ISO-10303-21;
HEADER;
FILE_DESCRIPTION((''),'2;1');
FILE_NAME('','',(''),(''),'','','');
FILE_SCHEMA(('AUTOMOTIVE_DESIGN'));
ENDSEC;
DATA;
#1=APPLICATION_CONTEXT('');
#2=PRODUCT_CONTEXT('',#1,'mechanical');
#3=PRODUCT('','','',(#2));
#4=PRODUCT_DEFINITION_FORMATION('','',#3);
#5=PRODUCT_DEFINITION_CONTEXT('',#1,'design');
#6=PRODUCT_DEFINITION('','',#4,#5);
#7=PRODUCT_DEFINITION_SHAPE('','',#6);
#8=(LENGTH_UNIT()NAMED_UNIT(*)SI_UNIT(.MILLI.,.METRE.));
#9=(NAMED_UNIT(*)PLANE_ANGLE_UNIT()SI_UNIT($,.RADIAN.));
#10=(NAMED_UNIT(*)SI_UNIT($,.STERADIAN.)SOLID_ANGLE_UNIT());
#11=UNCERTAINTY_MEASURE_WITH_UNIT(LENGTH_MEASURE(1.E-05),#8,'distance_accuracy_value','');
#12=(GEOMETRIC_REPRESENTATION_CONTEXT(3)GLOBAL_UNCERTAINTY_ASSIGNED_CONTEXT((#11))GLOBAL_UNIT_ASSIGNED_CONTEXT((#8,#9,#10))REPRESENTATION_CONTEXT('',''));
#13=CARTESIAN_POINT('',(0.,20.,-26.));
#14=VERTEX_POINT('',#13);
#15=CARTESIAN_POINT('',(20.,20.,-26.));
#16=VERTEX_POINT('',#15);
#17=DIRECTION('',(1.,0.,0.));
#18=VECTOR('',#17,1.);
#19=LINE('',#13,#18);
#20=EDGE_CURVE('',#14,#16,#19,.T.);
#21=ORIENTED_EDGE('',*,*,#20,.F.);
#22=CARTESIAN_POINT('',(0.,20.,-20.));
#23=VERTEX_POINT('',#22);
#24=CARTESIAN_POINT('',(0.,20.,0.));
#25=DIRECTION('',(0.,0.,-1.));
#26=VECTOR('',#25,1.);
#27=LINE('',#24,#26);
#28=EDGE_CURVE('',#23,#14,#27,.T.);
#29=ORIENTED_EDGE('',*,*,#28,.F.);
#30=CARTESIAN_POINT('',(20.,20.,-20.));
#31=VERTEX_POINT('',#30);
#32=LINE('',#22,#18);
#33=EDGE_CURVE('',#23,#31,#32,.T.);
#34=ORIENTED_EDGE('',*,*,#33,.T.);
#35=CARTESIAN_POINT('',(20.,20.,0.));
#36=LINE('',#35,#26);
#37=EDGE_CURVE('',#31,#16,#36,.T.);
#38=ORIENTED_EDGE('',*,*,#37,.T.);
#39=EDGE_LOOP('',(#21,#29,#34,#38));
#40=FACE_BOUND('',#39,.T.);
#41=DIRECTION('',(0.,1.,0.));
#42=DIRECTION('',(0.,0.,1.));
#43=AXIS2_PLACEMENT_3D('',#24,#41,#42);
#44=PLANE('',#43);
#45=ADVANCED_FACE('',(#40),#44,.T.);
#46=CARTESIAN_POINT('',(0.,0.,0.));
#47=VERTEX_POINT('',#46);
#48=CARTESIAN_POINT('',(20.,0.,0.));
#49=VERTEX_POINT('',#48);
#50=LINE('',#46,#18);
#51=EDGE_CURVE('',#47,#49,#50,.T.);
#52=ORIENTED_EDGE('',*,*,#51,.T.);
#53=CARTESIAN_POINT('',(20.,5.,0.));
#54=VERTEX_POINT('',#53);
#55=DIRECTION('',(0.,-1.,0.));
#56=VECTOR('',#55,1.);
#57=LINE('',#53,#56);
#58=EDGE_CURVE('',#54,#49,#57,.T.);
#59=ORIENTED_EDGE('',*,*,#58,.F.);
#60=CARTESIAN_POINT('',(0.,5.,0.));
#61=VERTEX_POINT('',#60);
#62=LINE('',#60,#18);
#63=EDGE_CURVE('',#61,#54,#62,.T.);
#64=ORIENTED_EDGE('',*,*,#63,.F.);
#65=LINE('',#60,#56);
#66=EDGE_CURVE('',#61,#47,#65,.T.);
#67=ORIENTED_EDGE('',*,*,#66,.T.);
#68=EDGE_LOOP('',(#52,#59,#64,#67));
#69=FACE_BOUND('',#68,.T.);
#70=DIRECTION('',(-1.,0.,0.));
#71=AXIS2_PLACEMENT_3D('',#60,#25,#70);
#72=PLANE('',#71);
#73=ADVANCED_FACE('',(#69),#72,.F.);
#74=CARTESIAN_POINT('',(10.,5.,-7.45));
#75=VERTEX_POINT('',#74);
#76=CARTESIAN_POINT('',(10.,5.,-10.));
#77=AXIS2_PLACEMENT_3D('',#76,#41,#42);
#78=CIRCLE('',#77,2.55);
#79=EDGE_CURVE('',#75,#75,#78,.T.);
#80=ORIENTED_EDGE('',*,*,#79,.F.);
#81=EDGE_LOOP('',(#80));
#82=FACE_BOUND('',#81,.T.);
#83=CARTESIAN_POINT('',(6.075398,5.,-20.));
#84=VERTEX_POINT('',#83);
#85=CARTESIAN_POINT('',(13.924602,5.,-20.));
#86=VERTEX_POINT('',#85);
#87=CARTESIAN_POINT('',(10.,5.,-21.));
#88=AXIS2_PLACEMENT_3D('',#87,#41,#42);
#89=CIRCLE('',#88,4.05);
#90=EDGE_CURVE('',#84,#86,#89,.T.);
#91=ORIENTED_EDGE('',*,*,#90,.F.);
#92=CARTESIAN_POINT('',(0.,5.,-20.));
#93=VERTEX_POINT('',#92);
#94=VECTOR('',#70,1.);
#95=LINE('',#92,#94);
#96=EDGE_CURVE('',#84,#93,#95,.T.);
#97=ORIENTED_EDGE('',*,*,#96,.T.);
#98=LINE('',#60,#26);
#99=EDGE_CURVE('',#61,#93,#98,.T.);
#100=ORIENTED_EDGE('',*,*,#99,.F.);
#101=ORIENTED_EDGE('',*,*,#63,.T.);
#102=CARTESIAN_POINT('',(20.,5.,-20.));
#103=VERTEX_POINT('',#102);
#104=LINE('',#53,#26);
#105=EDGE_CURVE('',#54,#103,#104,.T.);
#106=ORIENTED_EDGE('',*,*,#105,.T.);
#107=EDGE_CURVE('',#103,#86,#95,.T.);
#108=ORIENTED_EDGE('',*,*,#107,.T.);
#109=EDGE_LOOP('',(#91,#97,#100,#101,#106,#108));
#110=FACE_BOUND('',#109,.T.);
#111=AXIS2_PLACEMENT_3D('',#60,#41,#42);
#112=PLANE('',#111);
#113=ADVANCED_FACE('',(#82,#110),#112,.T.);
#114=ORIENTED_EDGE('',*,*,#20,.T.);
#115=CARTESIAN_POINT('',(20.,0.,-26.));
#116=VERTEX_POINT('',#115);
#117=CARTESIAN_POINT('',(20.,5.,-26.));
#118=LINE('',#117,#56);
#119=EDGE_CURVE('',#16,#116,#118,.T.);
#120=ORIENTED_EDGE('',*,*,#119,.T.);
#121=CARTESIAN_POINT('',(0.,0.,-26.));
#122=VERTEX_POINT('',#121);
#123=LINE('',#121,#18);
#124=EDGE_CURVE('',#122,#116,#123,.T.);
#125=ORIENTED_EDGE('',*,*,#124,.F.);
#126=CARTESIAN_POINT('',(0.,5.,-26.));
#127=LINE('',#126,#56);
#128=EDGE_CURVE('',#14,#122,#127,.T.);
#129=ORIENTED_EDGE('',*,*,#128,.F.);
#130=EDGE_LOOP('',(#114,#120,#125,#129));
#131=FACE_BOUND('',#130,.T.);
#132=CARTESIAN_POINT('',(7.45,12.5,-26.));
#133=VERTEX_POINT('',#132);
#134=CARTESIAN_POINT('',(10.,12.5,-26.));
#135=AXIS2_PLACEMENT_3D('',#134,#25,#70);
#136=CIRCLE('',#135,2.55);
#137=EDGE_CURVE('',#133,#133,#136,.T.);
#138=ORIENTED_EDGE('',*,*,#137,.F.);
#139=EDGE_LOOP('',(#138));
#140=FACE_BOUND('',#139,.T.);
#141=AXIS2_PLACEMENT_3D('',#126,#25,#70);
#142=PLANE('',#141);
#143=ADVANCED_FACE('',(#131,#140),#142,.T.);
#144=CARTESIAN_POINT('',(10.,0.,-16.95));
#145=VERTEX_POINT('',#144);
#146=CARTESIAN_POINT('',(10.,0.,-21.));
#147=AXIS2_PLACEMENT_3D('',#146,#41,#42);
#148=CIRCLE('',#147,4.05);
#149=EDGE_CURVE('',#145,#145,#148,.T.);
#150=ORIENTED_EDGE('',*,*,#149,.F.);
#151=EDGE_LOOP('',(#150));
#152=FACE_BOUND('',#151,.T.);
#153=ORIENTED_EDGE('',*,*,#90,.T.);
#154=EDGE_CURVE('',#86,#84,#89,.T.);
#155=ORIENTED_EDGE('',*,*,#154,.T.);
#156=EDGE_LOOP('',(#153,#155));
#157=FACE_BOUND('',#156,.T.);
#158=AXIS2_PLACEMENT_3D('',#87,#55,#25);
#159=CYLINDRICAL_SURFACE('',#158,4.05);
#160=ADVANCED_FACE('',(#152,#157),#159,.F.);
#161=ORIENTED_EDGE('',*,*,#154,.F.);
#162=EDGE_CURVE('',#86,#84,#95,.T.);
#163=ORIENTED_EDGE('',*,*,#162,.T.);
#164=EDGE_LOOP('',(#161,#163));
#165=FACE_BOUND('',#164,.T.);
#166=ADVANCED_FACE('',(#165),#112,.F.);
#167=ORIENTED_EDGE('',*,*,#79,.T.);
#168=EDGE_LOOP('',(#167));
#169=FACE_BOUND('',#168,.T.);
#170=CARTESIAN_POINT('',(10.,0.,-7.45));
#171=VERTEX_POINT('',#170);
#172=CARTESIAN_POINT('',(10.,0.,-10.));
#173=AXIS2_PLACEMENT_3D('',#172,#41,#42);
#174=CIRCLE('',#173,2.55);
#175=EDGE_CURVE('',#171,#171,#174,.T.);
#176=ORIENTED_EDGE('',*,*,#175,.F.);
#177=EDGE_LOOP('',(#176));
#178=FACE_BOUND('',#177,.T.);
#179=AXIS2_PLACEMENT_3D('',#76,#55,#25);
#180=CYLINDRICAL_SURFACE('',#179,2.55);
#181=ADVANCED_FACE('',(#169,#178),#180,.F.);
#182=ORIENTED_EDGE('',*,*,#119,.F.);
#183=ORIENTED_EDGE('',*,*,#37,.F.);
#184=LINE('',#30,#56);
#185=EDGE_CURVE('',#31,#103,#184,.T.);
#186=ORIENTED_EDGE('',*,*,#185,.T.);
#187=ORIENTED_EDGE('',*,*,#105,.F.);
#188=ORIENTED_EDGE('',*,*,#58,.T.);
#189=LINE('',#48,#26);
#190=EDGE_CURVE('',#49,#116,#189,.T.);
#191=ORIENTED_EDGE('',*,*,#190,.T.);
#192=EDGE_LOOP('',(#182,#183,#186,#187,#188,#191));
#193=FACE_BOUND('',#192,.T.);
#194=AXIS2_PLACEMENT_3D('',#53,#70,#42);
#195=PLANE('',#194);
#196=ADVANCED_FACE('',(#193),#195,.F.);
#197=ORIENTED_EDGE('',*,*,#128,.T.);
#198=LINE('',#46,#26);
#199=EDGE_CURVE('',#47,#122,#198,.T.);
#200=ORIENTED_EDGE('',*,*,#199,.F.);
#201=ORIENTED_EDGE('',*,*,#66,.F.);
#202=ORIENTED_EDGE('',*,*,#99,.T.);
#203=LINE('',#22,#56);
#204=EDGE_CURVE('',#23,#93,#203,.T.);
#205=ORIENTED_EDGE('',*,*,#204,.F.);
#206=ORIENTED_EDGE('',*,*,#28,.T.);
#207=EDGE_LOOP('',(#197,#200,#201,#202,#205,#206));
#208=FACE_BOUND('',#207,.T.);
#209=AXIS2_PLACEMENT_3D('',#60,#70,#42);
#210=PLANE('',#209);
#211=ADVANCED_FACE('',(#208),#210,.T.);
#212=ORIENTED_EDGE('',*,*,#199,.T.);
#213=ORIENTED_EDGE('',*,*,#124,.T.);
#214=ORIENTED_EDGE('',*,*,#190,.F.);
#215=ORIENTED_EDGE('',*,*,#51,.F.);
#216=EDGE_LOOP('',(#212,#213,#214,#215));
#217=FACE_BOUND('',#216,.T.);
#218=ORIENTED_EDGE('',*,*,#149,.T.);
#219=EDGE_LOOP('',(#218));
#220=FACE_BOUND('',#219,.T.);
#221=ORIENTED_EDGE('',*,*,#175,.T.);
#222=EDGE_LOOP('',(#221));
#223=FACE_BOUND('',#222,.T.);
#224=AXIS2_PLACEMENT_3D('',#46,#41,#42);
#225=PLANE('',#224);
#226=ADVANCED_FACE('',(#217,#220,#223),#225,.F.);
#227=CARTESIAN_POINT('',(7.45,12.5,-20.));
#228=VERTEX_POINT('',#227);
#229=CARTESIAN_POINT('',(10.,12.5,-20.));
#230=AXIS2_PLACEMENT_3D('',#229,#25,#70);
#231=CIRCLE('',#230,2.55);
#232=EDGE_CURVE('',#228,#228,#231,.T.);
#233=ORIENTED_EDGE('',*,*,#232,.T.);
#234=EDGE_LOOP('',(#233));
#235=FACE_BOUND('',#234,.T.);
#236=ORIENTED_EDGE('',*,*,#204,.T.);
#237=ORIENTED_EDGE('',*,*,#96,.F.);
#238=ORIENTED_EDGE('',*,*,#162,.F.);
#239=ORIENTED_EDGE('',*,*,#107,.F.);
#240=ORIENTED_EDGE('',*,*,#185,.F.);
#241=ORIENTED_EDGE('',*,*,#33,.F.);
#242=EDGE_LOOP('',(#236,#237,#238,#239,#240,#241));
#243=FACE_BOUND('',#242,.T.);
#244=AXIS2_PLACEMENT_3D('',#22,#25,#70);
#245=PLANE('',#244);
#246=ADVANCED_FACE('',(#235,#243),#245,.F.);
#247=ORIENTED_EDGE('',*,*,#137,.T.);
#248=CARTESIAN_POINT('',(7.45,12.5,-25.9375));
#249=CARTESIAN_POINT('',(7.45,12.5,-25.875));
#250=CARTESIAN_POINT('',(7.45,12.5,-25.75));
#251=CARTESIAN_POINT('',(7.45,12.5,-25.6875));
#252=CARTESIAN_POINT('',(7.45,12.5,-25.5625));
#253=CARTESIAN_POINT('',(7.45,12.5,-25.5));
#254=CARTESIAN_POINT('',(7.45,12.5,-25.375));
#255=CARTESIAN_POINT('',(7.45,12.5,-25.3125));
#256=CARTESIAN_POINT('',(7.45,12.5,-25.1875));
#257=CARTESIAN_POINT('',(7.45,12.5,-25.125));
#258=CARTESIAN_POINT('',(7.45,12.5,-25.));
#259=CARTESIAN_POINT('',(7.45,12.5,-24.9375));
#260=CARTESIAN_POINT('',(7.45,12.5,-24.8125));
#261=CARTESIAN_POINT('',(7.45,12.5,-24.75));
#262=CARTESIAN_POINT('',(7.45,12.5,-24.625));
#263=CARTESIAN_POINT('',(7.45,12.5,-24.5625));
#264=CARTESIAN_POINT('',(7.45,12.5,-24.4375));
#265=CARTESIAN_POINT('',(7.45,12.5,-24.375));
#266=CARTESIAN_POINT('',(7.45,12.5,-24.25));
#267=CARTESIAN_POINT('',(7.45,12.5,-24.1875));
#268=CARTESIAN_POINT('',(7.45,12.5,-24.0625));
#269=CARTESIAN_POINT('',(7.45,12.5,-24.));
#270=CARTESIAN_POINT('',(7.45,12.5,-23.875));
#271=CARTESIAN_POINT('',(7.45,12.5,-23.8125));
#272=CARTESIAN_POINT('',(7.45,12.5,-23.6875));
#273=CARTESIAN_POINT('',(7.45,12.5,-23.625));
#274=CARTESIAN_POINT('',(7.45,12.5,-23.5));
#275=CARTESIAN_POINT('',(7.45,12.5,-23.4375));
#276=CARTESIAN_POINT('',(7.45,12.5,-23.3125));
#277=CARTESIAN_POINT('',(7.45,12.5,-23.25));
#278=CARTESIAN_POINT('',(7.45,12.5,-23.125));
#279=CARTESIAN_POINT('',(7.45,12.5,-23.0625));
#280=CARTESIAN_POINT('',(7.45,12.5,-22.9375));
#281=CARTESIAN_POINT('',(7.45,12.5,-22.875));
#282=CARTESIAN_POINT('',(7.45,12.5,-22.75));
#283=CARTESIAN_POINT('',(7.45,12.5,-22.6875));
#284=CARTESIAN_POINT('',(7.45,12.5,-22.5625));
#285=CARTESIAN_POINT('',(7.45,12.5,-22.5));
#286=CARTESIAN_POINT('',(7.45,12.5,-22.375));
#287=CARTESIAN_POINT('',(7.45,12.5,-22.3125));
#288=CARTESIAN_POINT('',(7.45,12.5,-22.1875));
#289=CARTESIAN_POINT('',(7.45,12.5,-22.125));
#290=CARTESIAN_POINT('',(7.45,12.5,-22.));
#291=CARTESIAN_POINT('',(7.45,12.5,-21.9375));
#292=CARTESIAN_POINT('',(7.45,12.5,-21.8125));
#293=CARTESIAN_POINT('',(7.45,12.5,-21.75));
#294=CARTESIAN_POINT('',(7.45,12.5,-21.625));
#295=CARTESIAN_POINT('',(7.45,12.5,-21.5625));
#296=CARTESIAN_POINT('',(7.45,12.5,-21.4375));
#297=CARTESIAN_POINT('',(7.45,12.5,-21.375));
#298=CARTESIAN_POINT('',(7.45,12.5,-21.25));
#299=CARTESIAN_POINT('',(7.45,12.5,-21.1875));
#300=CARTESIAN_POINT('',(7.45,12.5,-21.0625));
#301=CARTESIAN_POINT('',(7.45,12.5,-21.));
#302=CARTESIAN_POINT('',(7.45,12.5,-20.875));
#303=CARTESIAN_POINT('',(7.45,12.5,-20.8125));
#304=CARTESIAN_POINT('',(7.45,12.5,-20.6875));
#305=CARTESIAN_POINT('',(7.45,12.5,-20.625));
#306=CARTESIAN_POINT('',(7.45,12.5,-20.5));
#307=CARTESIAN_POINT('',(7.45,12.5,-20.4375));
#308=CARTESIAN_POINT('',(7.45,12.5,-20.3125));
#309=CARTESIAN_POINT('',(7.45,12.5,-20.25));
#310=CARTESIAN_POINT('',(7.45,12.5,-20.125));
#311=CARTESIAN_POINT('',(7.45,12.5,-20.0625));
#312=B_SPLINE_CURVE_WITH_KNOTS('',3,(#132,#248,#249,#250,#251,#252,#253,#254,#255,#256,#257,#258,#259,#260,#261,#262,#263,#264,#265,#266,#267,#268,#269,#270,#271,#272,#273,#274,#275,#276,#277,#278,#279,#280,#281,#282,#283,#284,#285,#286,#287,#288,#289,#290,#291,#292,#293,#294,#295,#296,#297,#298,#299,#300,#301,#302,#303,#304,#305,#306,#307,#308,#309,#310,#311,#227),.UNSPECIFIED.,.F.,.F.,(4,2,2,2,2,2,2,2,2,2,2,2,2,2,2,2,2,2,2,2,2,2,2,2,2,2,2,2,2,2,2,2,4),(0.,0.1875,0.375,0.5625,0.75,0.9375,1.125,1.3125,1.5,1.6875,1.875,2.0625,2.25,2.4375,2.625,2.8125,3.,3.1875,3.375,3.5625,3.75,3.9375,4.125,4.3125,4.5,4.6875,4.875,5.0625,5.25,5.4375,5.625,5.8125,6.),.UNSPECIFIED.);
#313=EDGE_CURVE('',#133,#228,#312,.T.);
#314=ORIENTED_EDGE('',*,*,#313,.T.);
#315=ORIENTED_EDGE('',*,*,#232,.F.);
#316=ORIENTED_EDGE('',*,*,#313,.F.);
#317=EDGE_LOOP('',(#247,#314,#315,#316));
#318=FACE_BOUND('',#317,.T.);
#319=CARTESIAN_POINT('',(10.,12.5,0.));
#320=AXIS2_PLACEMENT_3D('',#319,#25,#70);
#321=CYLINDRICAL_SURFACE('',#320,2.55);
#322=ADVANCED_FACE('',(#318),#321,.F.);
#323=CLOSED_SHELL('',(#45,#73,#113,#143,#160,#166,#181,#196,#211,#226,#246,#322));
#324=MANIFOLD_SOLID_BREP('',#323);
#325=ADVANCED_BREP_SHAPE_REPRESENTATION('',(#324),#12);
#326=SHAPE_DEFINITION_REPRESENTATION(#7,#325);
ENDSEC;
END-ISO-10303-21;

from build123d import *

# Parameters (mm, degrees)
SKETCH1_R           = 2.55
BOSS_EXTRUDE1_DEPTH = 5
BOSS_EXTRUDE2_DEPTH = 20
BOSS_EXTRUDE3_DEPTH = 15
CUT_EXTRUDE1_DEPTH  = 39.418745425


with BuildPart() as part:
    # Sketch1 → Boss-Extrude1 (new body)
    # profile 1 of 2: a face of its own
    with BuildSketch(Plane(origin=(0, 0, 0), x_dir=(1, 0, 0), z_dir=(0, 1, 0))):
        with BuildLine():
            Line((6.075398109, 20), (0, 20))
            Line((0, 20), (0, 0))
            Line((0, 0), (20, 0))
            Line((20, 0), (20, 20))
            Line((20, 20), (13.924601891, 20))
            ThreePointArc((13.924601891, 20), (10, 16.95), (6.075398109, 20))
        make_face()
        with Locations(Location((10, 10, 0), (0, 0, 270))):
            Circle(SKETCH1_R, mode=Mode.SUBTRACT)
    # profile 2 of 2: a face of its own
    with BuildSketch(Plane(origin=(0, 0, 0), x_dir=(1, 0, 0), z_dir=(0, 1, 0))):
        with BuildLine():
            Line((0, 26), (0, 20))
            Line((0, 20), (6.075398109, 20))
            ThreePointArc((6.075398109, 20), (9.496084162, 25.018528192), (14.05, 21))
            ThreePointArc((14.05, 21), (14.018528192, 20.496084162), (13.924601891, 20))
            Line((13.924601891, 20), (20, 20))
            Line((20, 20), (20, 26))
            Line((20, 26), (0, 26))
        make_face()
    extrude(amount=BOSS_EXTRUDE1_DEPTH)

    # Sketch1<3> → Boss-Extrude2 (add)
    with BuildSketch(Plane(origin=(0, 0, 0), x_dir=(1, 0, 0), z_dir=(0, 1, 0))):
        with BuildLine():
            Line((0, 26), (0, 20))
            Line((0, 20), (6.075398109, 20))
            ThreePointArc((6.075398109, 20), (9.496084162, 25.018528192), (14.05, 21))
            ThreePointArc((14.05, 21), (14.018528192, 20.496084162), (13.924601891, 20))
            Line((13.924601891, 20), (20, 20))
            Line((20, 20), (20, 26))
            Line((20, 26), (0, 26))
        make_face()
    extrude(amount=BOSS_EXTRUDE2_DEPTH)

    # Sketch3 → Boss-Extrude3 (add)
    with BuildSketch(Plane(origin=(0, 5, 0), x_dir=(1, 0, 0), z_dir=(0, 1, 0))):
        with BuildLine():
            Line((13.924601891, 20), (6.075398109, 20))
            ThreePointArc((6.075398109, 20), (10, 25.05), (13.924601891, 20))
        make_face()
    extrude(amount=BOSS_EXTRUDE3_DEPTH)

    # Sketch2 → Cut-Extrude1 (cut, through all)
    with BuildSketch(Plane(origin=(0, 0, -26), x_dir=(-1, 0, 0), z_dir=(0, 0, -1))):
        with BuildLine():
            ThreePointArc((-12.55, 12.5), (-10, 9.95), (-7.45, 12.5))
            Line((-7.45, 12.5), (-12.55, 12.5))
        make_face()
        with BuildLine():
            Line((-12.55, 12.5), (-7.45, 12.5))
            ThreePointArc((-7.45, 12.5), (-10, 15.05), (-12.55, 12.5))
        make_face()
    extrude(amount=-CUT_EXTRUDE1_DEPTH, mode=Mode.SUBTRACT)


solid = part.part
